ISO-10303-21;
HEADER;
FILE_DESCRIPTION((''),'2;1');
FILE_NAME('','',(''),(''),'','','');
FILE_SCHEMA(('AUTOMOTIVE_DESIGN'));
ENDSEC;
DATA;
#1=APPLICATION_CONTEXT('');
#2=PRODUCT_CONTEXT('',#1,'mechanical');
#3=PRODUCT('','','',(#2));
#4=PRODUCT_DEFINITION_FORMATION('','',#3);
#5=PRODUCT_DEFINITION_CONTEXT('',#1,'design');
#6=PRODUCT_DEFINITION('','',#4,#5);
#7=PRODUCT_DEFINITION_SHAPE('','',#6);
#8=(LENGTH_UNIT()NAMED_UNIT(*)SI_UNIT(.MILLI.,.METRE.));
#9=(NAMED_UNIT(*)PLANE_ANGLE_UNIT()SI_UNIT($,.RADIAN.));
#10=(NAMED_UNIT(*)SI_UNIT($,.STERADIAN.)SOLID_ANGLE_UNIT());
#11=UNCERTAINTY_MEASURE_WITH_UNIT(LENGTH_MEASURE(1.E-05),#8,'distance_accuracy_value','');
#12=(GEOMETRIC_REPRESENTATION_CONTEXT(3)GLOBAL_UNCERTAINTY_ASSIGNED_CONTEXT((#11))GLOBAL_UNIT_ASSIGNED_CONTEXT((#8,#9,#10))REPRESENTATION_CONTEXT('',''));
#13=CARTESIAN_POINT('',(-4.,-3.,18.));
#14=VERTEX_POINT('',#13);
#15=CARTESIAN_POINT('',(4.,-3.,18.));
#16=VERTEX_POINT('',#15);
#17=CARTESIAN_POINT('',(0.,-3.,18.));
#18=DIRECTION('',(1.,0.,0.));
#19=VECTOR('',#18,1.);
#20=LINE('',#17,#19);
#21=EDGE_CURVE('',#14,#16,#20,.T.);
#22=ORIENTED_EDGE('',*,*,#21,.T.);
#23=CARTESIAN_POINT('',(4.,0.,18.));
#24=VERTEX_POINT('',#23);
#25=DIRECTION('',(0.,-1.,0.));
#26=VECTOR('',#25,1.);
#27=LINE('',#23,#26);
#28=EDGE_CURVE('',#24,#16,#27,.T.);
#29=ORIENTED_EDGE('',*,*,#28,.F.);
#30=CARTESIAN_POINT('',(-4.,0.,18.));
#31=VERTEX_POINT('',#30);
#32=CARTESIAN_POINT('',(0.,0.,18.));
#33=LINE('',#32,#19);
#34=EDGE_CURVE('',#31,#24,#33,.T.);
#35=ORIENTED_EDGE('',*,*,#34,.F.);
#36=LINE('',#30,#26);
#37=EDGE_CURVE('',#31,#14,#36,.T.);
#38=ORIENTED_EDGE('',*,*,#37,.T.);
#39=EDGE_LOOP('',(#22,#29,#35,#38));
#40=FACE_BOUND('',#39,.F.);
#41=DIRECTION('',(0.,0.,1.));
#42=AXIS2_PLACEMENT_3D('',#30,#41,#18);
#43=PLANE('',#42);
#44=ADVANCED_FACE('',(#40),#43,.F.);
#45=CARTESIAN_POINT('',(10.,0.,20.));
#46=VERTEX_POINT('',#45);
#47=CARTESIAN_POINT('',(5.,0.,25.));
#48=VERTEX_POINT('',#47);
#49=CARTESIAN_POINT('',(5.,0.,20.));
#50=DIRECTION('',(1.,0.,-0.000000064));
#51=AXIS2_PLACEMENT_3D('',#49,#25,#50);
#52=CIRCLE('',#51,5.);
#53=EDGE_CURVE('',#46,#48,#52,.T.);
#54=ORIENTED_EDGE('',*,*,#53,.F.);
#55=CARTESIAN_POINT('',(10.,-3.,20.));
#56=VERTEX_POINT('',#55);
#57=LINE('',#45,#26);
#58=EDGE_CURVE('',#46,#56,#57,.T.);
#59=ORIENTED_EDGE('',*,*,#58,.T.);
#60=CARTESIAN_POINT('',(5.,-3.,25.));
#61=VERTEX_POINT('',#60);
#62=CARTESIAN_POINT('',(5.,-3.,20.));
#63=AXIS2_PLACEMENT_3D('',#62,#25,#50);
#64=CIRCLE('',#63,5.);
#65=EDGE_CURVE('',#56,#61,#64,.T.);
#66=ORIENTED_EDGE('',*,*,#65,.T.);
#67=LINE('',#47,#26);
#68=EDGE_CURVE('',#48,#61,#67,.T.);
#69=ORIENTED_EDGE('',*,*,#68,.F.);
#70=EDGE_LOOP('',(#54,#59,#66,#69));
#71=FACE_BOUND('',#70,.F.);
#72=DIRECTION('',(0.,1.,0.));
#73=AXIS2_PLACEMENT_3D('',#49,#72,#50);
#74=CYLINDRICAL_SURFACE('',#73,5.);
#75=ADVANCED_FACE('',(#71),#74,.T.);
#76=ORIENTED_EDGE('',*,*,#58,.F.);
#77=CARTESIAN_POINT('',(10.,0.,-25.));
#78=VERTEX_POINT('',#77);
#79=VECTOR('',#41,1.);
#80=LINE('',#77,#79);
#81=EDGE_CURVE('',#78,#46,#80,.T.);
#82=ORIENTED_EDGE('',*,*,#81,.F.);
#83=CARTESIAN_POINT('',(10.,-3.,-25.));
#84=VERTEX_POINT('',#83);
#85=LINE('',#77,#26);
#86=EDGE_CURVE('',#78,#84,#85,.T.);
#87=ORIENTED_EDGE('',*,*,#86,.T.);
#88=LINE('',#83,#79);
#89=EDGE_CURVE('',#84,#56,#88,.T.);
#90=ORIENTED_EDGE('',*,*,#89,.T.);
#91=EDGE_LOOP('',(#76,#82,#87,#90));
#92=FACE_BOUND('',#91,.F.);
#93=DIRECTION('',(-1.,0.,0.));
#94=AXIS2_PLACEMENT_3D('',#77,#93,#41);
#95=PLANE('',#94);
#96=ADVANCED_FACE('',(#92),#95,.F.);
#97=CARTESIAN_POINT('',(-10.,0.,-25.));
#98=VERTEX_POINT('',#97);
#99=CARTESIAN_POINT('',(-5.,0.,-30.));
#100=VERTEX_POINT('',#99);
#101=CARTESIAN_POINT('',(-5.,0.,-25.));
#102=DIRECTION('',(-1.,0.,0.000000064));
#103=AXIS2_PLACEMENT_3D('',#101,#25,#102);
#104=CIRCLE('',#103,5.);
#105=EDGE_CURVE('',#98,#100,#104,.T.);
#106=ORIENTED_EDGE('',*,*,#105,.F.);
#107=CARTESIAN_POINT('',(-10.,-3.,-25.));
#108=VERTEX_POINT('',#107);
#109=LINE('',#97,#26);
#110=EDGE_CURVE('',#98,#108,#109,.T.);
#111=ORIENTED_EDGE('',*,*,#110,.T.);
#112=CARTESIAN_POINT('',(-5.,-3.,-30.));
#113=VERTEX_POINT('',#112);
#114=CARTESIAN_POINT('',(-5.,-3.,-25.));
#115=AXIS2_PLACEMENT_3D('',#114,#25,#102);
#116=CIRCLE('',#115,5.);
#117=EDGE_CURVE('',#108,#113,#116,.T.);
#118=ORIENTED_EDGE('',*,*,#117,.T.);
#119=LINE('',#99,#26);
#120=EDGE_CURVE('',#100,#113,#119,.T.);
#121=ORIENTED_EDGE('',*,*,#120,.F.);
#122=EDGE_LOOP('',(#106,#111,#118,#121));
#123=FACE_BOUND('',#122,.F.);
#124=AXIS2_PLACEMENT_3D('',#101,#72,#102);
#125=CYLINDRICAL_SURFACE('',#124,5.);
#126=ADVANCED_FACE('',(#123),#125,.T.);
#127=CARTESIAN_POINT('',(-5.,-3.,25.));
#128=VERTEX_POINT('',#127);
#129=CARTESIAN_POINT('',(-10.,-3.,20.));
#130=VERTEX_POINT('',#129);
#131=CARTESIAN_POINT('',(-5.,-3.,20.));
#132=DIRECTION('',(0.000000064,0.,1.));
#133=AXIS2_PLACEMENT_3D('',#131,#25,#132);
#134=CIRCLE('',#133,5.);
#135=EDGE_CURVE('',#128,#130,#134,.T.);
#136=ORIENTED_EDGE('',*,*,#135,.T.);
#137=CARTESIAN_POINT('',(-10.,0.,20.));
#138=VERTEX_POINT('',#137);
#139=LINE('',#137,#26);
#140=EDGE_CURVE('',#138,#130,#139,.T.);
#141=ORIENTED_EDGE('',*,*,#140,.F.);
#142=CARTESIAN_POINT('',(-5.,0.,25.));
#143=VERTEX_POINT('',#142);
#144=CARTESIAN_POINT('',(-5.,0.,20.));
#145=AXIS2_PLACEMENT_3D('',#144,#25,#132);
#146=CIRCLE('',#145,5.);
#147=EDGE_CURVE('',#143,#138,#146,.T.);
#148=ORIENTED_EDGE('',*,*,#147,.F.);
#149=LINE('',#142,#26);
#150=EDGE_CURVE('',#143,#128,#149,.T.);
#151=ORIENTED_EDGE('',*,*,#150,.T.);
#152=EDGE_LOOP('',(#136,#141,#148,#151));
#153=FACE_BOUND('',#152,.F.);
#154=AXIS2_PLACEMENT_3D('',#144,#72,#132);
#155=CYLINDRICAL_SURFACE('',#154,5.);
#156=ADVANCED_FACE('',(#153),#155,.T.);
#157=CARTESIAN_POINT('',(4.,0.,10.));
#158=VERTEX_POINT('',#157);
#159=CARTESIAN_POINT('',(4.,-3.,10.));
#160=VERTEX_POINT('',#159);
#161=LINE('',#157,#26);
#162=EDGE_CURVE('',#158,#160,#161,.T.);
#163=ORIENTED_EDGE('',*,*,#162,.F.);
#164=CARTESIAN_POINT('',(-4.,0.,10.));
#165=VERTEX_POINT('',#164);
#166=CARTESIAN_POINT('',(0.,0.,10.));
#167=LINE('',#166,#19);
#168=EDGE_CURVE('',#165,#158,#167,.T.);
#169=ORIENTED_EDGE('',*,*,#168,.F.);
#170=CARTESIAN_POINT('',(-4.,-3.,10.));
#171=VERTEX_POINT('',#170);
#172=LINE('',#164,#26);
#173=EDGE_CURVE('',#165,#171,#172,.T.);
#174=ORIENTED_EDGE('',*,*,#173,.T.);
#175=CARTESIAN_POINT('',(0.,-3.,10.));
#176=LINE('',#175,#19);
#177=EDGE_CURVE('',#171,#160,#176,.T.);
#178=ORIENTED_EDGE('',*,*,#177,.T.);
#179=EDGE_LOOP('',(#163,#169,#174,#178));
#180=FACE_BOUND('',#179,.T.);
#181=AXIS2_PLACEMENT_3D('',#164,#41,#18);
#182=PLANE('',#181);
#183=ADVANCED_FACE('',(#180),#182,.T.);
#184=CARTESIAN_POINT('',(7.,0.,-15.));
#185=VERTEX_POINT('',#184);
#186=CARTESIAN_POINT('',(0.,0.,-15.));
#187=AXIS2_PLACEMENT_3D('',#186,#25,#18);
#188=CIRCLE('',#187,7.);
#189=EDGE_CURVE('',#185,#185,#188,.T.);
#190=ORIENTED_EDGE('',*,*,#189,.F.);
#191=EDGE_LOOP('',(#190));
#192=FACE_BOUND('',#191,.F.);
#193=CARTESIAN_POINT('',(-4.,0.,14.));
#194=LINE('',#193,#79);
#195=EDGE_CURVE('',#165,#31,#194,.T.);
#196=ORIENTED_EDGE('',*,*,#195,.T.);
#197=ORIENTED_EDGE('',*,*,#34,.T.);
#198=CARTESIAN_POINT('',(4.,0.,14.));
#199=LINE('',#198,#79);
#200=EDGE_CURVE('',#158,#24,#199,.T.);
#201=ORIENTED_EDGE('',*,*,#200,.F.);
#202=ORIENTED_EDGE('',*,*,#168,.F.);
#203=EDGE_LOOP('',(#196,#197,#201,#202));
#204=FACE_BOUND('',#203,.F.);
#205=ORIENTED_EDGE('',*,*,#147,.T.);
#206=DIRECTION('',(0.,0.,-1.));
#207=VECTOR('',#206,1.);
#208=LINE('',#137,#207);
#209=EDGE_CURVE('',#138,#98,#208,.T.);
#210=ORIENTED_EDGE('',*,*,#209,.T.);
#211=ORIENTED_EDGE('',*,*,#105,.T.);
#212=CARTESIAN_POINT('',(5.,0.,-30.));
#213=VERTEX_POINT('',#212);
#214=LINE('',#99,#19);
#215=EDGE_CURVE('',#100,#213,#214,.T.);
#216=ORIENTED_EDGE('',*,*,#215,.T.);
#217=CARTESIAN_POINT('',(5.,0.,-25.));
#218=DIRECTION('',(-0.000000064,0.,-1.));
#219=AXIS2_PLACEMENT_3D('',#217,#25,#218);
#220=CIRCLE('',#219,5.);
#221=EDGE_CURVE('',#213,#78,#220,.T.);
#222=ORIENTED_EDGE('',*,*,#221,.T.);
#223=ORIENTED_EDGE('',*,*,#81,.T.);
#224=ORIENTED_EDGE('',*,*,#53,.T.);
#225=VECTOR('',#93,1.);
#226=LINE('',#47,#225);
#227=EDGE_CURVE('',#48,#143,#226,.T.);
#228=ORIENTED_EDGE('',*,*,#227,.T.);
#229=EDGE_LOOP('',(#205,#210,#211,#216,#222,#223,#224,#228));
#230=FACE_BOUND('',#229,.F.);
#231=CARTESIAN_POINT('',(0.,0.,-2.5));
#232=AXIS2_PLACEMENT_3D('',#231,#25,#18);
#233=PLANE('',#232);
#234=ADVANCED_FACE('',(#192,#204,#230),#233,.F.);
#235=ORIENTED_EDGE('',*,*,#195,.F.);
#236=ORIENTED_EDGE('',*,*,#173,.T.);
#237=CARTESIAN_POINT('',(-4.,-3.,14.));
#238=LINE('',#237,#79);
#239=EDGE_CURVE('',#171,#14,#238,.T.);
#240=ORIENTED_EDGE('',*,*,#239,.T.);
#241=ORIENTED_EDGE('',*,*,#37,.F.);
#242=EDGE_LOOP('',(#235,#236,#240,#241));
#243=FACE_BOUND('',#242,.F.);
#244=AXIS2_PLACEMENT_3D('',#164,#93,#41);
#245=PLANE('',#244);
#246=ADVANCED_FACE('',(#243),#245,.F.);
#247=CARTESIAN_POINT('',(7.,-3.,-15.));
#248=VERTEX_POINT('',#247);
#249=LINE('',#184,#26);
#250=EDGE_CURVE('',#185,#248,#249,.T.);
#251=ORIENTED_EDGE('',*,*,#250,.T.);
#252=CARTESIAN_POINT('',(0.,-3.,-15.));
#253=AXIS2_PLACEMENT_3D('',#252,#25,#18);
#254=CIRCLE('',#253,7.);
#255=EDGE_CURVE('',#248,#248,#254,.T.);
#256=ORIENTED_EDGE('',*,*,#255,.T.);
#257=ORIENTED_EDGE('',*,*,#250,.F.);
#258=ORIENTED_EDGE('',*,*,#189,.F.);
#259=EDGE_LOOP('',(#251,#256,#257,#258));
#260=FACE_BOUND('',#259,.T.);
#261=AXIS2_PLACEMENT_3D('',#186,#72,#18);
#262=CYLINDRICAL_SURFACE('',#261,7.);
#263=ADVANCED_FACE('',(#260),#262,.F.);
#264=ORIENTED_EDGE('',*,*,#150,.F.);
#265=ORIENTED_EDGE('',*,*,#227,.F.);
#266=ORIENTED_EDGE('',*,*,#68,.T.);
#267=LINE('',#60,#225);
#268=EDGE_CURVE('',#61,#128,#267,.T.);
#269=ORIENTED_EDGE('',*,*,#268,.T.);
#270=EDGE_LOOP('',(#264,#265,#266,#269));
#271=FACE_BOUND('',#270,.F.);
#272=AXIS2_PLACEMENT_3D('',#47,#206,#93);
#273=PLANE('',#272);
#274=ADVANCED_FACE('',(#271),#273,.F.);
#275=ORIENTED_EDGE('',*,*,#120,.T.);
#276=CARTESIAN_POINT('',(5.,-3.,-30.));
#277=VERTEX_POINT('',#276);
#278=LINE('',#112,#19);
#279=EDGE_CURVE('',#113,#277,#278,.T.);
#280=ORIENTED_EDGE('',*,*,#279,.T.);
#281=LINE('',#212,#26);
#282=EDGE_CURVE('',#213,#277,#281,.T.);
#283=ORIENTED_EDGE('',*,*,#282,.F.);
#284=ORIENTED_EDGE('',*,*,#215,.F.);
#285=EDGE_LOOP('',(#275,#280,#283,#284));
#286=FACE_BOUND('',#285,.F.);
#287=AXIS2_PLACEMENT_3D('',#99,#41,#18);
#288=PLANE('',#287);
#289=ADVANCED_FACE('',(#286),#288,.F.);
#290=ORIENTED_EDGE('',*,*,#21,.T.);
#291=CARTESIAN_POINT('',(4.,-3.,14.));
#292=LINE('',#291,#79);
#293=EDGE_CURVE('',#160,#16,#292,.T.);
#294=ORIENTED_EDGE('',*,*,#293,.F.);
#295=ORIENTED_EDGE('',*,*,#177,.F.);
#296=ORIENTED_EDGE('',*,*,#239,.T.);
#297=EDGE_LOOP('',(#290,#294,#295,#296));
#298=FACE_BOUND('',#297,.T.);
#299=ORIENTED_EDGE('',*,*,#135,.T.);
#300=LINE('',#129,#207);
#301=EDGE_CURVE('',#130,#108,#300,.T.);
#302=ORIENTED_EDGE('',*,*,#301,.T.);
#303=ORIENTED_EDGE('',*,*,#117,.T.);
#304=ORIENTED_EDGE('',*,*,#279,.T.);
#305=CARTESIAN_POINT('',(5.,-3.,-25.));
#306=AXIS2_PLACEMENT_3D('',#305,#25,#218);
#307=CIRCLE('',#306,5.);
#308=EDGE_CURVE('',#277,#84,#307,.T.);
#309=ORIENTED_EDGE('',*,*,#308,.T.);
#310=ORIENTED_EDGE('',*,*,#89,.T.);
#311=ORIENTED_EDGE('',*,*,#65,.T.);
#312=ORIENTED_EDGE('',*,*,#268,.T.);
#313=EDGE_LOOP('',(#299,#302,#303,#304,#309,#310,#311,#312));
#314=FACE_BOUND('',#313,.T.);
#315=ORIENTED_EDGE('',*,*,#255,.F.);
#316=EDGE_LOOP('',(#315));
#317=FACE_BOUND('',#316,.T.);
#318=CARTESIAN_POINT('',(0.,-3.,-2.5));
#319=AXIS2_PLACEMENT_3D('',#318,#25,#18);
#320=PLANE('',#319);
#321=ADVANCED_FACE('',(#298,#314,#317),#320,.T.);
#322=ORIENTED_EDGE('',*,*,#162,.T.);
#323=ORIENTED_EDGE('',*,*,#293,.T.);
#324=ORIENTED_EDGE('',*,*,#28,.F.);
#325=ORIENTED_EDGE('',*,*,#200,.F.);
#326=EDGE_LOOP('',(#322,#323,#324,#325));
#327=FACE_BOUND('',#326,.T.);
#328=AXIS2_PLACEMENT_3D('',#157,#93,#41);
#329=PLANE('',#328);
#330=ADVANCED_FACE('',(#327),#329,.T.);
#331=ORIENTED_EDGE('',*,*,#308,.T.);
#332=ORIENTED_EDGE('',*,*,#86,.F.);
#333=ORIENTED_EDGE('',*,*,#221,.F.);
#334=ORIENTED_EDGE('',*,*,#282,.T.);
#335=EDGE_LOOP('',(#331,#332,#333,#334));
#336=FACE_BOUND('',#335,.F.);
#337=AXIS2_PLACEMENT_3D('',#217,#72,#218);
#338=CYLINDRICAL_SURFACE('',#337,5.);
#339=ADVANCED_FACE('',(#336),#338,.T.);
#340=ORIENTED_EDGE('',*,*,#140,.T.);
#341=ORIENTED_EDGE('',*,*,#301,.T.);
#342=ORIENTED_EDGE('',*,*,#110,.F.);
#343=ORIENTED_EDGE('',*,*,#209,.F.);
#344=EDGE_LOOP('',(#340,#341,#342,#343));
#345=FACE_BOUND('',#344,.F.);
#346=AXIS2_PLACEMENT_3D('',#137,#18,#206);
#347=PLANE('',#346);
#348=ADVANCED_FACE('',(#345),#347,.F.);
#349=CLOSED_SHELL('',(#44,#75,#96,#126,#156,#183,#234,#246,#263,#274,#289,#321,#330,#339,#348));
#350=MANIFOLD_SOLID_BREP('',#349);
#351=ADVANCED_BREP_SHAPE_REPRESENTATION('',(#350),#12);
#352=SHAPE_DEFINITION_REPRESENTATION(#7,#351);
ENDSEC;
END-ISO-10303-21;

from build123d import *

# Parameters (mm, degrees)
F0_R     = 7
F0_W     = 8
F0_H     = 8
F1_DEPTH = 3


with BuildPart() as f1:
    # F0 (on Front) → F1 (new body)
    with BuildSketch(Plane.XZ):
        with BuildLine():
            ThreePointArc((10, 20), (8.535534, 23.535534), (5, 25))
            Line((5, 25), (-5, 25))
            ThreePointArc((-5, 25), (-8.535534, 23.535534), (-10, 20))
            Line((-10, 20), (-10, -25))
            ThreePointArc((-10, -25), (-8.535534, -28.535534), (-5, -30))
            Line((-5, -30), (5, -30))
            ThreePointArc((5, -30), (8.535534, -28.535534), (10, -25))
            Line((10, -25), (10, 20))
        make_face()
        with Locations((0, -15)):
            Circle(F0_R, mode=Mode.SUBTRACT)
        with Locations((0, 14)):
            Rectangle(F0_W, F0_H, mode=Mode.SUBTRACT)
    extrude(amount=F1_DEPTH)


solid = f1.part
